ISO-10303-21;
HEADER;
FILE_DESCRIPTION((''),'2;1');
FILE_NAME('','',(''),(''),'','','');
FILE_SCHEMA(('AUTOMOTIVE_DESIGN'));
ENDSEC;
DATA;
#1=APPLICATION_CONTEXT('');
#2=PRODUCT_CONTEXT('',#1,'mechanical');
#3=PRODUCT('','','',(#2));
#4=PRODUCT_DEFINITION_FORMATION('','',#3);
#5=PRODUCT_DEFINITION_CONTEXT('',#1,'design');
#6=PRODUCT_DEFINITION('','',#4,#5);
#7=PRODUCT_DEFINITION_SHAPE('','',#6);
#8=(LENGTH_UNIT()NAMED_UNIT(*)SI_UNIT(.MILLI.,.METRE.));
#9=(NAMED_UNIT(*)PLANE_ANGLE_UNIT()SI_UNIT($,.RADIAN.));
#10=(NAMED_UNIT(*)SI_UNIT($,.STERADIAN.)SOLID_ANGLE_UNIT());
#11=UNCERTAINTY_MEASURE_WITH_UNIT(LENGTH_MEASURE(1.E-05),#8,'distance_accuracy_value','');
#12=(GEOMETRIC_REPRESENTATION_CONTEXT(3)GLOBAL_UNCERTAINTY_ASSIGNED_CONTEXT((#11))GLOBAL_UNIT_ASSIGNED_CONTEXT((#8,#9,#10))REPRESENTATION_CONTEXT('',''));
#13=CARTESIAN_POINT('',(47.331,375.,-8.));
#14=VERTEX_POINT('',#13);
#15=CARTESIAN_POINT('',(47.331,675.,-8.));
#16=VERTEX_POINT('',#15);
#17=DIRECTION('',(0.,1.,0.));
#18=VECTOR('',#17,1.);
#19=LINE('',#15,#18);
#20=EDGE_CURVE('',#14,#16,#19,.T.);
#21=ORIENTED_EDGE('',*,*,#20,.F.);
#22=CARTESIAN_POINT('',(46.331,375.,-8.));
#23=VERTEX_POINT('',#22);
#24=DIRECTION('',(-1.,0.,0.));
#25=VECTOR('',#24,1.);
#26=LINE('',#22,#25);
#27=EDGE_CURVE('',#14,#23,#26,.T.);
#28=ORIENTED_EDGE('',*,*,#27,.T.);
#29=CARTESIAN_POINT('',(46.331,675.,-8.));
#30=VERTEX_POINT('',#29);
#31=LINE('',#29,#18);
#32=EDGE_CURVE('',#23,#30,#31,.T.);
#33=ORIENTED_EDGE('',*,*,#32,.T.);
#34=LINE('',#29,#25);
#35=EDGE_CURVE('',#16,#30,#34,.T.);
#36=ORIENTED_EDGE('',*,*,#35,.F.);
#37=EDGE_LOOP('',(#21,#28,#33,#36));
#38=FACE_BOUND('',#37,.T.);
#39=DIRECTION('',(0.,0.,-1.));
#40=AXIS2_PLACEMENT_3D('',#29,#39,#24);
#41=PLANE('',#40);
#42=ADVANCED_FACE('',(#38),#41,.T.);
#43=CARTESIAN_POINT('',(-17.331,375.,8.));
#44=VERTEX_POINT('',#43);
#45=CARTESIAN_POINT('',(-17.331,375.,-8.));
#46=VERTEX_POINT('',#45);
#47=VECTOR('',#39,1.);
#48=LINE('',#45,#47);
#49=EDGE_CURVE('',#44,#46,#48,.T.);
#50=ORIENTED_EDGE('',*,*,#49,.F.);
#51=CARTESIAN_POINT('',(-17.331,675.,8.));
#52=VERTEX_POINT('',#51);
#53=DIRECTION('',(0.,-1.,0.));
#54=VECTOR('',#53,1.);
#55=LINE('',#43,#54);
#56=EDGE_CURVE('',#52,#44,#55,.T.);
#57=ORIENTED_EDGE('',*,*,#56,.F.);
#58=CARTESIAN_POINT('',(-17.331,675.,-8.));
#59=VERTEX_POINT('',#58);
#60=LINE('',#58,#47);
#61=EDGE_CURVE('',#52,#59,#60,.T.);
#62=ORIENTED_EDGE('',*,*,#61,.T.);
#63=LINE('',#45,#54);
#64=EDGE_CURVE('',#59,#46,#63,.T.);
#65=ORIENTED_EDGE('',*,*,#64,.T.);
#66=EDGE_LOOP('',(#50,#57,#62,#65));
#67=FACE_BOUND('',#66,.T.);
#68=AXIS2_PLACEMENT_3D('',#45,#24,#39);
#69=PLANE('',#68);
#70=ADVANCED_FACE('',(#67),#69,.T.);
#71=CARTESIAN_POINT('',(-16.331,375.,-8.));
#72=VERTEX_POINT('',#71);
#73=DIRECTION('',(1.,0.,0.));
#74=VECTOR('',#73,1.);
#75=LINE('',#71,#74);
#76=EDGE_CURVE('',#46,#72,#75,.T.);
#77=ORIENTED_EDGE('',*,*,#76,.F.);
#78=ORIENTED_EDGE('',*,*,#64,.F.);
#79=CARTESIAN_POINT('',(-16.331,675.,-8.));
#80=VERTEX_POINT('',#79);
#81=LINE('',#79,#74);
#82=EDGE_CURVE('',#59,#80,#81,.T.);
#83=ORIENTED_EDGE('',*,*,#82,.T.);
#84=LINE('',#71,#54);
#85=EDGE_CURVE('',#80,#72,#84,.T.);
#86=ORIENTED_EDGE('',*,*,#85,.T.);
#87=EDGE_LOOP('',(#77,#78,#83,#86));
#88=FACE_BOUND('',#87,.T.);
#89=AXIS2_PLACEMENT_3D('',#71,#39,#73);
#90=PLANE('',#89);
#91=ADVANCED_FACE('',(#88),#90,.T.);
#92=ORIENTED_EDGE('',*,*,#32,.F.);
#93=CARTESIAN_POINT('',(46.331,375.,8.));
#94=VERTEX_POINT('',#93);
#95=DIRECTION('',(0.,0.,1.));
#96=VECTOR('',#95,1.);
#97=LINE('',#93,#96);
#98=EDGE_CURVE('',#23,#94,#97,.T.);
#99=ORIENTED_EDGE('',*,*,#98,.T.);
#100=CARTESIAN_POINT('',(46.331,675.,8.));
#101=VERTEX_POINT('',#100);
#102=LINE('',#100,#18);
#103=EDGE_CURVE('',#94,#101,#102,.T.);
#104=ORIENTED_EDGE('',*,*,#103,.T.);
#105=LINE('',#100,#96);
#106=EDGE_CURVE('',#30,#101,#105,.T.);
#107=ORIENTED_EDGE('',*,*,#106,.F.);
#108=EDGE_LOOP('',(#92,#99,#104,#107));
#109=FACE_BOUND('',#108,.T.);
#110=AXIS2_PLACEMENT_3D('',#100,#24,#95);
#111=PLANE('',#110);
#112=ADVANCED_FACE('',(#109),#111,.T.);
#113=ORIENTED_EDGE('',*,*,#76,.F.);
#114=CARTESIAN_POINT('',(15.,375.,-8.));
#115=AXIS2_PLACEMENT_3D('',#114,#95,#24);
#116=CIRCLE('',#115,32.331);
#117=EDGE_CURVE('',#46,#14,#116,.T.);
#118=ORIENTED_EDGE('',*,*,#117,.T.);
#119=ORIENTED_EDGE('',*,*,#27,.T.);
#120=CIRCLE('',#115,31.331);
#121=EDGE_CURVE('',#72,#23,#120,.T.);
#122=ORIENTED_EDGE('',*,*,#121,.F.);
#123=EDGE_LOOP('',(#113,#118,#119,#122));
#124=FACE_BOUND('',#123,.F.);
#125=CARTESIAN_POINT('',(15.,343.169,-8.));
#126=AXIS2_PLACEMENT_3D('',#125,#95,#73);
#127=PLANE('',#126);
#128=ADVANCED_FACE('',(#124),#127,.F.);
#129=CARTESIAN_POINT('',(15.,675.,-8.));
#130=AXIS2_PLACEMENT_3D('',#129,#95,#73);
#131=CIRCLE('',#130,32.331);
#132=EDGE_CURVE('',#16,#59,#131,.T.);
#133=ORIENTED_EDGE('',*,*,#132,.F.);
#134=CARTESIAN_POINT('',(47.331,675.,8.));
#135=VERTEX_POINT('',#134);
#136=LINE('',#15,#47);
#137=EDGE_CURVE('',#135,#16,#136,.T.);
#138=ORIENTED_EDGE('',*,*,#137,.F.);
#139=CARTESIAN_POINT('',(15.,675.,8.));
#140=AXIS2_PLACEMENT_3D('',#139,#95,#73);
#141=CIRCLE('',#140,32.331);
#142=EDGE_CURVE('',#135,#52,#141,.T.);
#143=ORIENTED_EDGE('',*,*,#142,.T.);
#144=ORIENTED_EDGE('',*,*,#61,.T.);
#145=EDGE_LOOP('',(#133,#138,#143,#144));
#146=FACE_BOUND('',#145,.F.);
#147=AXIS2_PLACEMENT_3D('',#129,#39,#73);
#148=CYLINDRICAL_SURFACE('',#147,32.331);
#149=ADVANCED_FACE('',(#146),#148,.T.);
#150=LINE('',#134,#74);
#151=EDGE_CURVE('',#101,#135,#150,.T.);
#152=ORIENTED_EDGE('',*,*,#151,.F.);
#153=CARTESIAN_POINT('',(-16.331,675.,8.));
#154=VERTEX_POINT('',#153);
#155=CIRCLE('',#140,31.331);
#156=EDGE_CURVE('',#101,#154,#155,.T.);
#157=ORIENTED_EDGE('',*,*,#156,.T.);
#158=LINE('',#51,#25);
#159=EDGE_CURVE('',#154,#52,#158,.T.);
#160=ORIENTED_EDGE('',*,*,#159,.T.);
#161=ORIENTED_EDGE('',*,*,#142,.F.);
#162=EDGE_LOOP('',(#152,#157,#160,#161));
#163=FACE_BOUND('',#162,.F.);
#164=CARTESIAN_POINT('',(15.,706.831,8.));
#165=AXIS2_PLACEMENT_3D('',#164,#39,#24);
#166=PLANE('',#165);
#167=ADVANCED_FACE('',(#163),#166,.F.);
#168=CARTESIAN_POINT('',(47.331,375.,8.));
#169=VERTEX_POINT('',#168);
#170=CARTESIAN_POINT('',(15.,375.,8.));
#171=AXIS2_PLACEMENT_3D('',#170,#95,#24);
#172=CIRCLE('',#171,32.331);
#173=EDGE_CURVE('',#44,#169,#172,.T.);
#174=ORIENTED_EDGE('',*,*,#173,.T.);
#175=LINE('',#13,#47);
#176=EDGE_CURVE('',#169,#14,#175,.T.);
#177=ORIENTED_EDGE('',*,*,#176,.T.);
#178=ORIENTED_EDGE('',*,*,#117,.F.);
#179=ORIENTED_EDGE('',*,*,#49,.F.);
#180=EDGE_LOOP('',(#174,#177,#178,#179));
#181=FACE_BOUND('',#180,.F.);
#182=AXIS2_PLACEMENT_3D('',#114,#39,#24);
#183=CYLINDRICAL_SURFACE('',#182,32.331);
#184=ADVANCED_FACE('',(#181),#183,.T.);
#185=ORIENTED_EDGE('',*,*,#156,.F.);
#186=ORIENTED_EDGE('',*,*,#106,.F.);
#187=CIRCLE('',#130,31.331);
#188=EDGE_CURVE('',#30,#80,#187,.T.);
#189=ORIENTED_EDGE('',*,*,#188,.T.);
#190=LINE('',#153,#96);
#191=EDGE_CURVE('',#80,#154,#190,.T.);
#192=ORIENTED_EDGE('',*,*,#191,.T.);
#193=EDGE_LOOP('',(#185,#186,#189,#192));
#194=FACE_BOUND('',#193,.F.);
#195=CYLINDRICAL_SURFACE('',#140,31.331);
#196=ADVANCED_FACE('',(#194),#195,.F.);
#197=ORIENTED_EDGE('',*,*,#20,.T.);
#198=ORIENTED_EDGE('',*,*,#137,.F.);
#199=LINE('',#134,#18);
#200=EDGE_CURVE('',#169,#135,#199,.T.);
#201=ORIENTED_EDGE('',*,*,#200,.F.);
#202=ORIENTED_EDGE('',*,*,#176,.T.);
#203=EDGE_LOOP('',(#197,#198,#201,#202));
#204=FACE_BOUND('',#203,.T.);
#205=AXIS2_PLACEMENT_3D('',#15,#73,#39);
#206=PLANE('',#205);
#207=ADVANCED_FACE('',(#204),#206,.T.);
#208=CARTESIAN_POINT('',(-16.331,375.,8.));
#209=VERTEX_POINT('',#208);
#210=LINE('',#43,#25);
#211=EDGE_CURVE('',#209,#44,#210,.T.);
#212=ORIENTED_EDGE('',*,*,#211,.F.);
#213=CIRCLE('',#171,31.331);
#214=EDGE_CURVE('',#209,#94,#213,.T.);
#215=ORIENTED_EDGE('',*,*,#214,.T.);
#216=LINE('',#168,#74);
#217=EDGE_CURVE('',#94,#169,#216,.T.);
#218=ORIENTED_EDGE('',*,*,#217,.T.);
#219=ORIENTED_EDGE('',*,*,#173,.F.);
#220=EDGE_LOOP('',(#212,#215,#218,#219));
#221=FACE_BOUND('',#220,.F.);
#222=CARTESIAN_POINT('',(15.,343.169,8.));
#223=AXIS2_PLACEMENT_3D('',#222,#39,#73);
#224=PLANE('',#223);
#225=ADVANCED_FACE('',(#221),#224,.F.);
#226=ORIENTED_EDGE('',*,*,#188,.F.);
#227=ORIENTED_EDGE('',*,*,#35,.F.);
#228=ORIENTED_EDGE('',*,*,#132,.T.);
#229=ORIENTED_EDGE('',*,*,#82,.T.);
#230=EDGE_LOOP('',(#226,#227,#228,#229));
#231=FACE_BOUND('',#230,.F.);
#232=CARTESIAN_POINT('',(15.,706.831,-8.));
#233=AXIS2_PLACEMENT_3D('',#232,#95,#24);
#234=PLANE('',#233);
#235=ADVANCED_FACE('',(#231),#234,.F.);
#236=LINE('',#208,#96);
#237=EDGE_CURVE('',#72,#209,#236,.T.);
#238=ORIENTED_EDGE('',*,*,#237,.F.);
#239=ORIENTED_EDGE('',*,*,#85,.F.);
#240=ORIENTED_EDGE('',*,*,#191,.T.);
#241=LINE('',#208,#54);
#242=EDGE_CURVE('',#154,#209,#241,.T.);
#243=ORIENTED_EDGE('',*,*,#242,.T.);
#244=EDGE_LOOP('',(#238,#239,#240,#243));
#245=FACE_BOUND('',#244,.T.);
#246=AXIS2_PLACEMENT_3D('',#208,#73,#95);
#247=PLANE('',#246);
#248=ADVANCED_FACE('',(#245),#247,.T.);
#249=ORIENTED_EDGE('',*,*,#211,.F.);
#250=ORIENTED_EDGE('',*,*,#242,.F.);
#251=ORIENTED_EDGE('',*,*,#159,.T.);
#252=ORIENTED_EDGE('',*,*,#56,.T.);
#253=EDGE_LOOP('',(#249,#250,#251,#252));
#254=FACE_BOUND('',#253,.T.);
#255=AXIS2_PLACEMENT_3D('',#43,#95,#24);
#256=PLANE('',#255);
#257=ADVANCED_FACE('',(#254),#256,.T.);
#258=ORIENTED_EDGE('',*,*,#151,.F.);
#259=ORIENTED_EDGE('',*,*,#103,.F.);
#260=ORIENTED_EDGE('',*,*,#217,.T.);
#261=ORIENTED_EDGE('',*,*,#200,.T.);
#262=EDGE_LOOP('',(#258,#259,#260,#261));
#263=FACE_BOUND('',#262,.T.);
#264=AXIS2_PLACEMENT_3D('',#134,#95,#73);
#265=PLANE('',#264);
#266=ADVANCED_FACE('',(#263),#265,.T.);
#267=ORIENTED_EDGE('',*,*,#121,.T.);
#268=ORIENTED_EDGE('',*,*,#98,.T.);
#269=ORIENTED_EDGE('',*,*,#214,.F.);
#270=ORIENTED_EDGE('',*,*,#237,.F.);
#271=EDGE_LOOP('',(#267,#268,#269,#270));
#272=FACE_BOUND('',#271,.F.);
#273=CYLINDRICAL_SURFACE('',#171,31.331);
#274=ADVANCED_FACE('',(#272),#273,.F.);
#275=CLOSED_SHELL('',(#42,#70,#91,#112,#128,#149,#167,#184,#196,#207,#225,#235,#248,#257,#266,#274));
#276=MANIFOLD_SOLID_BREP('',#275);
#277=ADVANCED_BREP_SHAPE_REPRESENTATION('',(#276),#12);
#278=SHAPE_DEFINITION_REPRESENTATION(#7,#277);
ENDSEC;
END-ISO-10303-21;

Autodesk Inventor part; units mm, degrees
sketch "Sketch Path" plane through (0, 0, 0) normal (0, 0, 1) x (1, 0, 0)
  arc A0 (-16.831, 375) -> (46.831, 375) centre (15, 375) ccw
  arc A1 (46.831, 675) -> (-16.831, 675) centre (15, 675) ccw
  line L0 (46.831, 675) -> (46.831, 375)
  line L1 (-16.831, 375) -> (-16.831, 675)
ref_plane "Cross Section Plane" through (46.831, 375, 0) normal (0, 1, 0) x (0, 0, 1)
ref_plane "Work Plane2" through (15, 375, 0) normal (-1, 0, 0) x (0, 0, 1)
ref_plane "Work Plane3" through (15, 675, 0) normal (-0.1564, -0.9877, 0) x (0, 0, 1)
sketch "Cross Section" plane through (46.831, 375, 0) normal (0, 1, 0) x (0, 0, 1)
  line L0 (-8, 0.5) -> (8, 0.5)
  line L1 (8, 0.5) -> (8, -0.5)
  line L2 (8, -0.5) -> (-8, -0.5)
  line L3 (-8, -0.5) -> (-8, 0.5)
  line L4 (-8, 0) -> (8, 0) construction
  point P0 (0, 0)
  point P1 (0, 0)
  dimension "d0" = 16
  dimension "d4" = 0.5
  dimension "d5" = 0.5
sweep "Belt" add profiles "Cross Section" path "Sketch Path"
equation "\"d0\" = da_B"
equation "\"d4\" = da_a"
equation "\"d5\" = da_a2"
equation "\"da_B\" = 16"
equation "\"da_pb\" = 5"
equation "\"da_a\" = 0.5"
equation "\"da_S\" = 2.65"
equation "\"da_Beta\" = 20deg"
equation "\"da_Ht\" = 1.2"
equation "\"da_H\" = 3.4"
equation "\"da_a2\" = 0.5"
properties part number "Synchronous Belt" material "Rubber"
